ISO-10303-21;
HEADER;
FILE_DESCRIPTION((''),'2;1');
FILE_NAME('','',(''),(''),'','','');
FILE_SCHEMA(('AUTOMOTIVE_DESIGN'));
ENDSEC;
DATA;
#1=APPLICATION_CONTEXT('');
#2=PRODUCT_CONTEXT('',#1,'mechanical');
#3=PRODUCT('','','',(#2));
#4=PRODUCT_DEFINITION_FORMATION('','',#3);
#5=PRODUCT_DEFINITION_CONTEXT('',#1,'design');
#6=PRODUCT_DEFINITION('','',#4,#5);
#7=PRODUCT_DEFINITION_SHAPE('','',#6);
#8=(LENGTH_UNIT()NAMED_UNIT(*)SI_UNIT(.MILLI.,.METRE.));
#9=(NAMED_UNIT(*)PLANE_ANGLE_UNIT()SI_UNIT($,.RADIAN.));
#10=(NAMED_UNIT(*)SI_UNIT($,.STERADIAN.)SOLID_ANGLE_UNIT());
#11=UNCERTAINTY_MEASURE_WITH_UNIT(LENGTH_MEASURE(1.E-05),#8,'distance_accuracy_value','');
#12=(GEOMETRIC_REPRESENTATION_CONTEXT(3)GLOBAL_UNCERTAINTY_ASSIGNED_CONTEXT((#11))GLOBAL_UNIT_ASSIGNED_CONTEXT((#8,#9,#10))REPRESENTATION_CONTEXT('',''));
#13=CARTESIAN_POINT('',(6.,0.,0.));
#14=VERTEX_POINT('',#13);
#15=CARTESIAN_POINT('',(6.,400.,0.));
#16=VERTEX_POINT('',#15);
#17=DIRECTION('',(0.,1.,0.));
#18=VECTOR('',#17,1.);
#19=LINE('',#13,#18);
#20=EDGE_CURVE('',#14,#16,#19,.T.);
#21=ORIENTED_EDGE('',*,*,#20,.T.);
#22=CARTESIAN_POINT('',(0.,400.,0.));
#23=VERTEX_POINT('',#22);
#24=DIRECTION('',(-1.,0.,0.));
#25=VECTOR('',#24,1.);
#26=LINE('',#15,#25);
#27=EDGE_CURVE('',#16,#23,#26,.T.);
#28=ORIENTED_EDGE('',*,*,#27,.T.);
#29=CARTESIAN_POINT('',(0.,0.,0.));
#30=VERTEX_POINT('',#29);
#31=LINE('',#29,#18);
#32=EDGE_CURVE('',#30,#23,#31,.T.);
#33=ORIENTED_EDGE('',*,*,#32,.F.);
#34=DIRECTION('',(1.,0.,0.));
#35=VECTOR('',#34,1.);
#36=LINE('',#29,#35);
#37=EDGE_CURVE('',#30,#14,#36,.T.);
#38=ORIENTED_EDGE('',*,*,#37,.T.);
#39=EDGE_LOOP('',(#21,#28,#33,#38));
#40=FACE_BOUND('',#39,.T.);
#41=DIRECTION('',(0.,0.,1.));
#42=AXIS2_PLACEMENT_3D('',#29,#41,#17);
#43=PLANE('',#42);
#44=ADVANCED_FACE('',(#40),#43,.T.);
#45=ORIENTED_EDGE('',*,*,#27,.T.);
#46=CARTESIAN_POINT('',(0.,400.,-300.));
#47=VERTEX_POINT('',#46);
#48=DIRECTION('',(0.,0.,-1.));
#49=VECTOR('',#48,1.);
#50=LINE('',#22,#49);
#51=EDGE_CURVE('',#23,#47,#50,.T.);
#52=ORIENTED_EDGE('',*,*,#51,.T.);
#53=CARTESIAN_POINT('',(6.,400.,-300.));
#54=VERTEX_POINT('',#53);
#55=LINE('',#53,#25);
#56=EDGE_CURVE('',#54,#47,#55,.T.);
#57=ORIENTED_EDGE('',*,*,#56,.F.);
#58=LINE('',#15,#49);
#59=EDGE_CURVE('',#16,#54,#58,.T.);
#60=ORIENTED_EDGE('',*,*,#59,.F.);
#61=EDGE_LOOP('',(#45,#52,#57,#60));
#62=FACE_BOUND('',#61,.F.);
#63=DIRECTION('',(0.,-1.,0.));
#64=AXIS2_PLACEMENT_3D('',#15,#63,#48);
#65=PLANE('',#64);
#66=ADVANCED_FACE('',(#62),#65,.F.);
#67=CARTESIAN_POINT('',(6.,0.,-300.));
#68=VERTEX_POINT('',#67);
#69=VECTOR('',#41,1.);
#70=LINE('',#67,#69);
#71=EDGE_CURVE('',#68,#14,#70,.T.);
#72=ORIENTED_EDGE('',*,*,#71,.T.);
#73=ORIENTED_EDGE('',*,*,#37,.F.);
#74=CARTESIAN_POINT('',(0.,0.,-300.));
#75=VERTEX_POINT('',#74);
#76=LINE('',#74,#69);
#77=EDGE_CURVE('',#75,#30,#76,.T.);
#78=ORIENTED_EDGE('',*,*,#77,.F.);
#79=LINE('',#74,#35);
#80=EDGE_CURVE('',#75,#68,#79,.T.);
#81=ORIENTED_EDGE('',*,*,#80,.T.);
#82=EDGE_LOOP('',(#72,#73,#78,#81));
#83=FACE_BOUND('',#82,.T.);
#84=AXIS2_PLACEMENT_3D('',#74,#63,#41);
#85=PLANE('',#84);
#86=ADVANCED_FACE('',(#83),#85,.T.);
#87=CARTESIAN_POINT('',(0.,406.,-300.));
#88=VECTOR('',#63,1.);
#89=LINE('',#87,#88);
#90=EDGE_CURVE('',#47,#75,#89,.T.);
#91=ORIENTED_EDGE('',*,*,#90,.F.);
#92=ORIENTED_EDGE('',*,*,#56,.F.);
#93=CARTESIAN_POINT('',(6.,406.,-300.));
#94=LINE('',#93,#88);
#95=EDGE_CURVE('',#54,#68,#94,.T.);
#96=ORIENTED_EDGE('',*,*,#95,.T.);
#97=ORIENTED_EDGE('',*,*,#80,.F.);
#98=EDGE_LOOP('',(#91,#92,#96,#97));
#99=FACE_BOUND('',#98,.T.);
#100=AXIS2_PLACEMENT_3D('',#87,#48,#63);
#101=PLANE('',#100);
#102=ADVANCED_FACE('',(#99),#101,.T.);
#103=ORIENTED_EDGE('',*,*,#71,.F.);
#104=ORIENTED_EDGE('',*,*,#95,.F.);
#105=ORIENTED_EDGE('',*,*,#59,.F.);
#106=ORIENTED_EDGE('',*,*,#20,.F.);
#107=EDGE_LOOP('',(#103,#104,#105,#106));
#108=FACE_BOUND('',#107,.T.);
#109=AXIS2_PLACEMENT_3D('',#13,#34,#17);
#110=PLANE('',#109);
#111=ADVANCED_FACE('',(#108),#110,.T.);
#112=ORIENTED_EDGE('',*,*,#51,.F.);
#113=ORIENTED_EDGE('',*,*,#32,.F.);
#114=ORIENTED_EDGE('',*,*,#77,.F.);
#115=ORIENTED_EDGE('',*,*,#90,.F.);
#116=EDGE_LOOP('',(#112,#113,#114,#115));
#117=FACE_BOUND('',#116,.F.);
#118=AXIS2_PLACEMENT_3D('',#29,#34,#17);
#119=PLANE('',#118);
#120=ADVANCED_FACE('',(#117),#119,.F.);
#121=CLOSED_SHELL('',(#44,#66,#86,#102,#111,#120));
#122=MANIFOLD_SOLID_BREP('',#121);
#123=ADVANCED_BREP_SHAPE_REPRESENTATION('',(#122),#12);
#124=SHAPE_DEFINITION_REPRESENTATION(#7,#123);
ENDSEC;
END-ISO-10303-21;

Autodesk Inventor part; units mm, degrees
ref_plane "YZ Plane" through (0, 0, 0) normal (1, 0, 0) x (0, 1, 0)
ref_plane "XZ Plane" through (0, 0, 0) normal (0, 1, 0) x (-1, 0, 0)
ref_plane "XY Plane" through (0, 0, 0) normal (0, 0, 1) x (1, 0, 0)
sketch "Sketch1" plane through (0, 0, 0) normal (1, 0, 0) x (0, 1, 0)
  line L0 (0, 0) -> (406, 0)
  line L1 (406, 0) -> (406, -300)
  line L2 (406, -300) -> (0, -300)
  line L3 (0, -300) -> (0, 0)
  dimension "d0" = 300
  dimension "d1" = 406
extrude "Extrusion1" add sketch "Sketch1" along normal blind 6
sketch "Sketch2" plane through (6, 0, 0) normal (1, 0, 0) x (0, 0, -1)
  line L0 (0, 0) -> (300, 0) projected
  line L1 (0, 400) -> (300, 400)
  line L2 (300, 400) -> (300, 0)
  line L3 (300, 0) -> (0, 0)
  line L4 (0, 0) -> (0, 400)
  line L5 (0, 406) -> (0, 0) projected
  line L6 (0, 406) -> (300, 406)
  line L7 (300, 406) -> (300, 400)
  line L8 (300, 400) -> (0, 400)
  line L9 (0, 400) -> (0, 406)
  dimension "d4" = 400
  dimension "d5" = 300
extrude "Extrusion2" cut sketch "Sketch2" against normal blind 6 contours L5 L6 L7 L1
properties part number "planche_gauche" material "Wood (Birch)"
